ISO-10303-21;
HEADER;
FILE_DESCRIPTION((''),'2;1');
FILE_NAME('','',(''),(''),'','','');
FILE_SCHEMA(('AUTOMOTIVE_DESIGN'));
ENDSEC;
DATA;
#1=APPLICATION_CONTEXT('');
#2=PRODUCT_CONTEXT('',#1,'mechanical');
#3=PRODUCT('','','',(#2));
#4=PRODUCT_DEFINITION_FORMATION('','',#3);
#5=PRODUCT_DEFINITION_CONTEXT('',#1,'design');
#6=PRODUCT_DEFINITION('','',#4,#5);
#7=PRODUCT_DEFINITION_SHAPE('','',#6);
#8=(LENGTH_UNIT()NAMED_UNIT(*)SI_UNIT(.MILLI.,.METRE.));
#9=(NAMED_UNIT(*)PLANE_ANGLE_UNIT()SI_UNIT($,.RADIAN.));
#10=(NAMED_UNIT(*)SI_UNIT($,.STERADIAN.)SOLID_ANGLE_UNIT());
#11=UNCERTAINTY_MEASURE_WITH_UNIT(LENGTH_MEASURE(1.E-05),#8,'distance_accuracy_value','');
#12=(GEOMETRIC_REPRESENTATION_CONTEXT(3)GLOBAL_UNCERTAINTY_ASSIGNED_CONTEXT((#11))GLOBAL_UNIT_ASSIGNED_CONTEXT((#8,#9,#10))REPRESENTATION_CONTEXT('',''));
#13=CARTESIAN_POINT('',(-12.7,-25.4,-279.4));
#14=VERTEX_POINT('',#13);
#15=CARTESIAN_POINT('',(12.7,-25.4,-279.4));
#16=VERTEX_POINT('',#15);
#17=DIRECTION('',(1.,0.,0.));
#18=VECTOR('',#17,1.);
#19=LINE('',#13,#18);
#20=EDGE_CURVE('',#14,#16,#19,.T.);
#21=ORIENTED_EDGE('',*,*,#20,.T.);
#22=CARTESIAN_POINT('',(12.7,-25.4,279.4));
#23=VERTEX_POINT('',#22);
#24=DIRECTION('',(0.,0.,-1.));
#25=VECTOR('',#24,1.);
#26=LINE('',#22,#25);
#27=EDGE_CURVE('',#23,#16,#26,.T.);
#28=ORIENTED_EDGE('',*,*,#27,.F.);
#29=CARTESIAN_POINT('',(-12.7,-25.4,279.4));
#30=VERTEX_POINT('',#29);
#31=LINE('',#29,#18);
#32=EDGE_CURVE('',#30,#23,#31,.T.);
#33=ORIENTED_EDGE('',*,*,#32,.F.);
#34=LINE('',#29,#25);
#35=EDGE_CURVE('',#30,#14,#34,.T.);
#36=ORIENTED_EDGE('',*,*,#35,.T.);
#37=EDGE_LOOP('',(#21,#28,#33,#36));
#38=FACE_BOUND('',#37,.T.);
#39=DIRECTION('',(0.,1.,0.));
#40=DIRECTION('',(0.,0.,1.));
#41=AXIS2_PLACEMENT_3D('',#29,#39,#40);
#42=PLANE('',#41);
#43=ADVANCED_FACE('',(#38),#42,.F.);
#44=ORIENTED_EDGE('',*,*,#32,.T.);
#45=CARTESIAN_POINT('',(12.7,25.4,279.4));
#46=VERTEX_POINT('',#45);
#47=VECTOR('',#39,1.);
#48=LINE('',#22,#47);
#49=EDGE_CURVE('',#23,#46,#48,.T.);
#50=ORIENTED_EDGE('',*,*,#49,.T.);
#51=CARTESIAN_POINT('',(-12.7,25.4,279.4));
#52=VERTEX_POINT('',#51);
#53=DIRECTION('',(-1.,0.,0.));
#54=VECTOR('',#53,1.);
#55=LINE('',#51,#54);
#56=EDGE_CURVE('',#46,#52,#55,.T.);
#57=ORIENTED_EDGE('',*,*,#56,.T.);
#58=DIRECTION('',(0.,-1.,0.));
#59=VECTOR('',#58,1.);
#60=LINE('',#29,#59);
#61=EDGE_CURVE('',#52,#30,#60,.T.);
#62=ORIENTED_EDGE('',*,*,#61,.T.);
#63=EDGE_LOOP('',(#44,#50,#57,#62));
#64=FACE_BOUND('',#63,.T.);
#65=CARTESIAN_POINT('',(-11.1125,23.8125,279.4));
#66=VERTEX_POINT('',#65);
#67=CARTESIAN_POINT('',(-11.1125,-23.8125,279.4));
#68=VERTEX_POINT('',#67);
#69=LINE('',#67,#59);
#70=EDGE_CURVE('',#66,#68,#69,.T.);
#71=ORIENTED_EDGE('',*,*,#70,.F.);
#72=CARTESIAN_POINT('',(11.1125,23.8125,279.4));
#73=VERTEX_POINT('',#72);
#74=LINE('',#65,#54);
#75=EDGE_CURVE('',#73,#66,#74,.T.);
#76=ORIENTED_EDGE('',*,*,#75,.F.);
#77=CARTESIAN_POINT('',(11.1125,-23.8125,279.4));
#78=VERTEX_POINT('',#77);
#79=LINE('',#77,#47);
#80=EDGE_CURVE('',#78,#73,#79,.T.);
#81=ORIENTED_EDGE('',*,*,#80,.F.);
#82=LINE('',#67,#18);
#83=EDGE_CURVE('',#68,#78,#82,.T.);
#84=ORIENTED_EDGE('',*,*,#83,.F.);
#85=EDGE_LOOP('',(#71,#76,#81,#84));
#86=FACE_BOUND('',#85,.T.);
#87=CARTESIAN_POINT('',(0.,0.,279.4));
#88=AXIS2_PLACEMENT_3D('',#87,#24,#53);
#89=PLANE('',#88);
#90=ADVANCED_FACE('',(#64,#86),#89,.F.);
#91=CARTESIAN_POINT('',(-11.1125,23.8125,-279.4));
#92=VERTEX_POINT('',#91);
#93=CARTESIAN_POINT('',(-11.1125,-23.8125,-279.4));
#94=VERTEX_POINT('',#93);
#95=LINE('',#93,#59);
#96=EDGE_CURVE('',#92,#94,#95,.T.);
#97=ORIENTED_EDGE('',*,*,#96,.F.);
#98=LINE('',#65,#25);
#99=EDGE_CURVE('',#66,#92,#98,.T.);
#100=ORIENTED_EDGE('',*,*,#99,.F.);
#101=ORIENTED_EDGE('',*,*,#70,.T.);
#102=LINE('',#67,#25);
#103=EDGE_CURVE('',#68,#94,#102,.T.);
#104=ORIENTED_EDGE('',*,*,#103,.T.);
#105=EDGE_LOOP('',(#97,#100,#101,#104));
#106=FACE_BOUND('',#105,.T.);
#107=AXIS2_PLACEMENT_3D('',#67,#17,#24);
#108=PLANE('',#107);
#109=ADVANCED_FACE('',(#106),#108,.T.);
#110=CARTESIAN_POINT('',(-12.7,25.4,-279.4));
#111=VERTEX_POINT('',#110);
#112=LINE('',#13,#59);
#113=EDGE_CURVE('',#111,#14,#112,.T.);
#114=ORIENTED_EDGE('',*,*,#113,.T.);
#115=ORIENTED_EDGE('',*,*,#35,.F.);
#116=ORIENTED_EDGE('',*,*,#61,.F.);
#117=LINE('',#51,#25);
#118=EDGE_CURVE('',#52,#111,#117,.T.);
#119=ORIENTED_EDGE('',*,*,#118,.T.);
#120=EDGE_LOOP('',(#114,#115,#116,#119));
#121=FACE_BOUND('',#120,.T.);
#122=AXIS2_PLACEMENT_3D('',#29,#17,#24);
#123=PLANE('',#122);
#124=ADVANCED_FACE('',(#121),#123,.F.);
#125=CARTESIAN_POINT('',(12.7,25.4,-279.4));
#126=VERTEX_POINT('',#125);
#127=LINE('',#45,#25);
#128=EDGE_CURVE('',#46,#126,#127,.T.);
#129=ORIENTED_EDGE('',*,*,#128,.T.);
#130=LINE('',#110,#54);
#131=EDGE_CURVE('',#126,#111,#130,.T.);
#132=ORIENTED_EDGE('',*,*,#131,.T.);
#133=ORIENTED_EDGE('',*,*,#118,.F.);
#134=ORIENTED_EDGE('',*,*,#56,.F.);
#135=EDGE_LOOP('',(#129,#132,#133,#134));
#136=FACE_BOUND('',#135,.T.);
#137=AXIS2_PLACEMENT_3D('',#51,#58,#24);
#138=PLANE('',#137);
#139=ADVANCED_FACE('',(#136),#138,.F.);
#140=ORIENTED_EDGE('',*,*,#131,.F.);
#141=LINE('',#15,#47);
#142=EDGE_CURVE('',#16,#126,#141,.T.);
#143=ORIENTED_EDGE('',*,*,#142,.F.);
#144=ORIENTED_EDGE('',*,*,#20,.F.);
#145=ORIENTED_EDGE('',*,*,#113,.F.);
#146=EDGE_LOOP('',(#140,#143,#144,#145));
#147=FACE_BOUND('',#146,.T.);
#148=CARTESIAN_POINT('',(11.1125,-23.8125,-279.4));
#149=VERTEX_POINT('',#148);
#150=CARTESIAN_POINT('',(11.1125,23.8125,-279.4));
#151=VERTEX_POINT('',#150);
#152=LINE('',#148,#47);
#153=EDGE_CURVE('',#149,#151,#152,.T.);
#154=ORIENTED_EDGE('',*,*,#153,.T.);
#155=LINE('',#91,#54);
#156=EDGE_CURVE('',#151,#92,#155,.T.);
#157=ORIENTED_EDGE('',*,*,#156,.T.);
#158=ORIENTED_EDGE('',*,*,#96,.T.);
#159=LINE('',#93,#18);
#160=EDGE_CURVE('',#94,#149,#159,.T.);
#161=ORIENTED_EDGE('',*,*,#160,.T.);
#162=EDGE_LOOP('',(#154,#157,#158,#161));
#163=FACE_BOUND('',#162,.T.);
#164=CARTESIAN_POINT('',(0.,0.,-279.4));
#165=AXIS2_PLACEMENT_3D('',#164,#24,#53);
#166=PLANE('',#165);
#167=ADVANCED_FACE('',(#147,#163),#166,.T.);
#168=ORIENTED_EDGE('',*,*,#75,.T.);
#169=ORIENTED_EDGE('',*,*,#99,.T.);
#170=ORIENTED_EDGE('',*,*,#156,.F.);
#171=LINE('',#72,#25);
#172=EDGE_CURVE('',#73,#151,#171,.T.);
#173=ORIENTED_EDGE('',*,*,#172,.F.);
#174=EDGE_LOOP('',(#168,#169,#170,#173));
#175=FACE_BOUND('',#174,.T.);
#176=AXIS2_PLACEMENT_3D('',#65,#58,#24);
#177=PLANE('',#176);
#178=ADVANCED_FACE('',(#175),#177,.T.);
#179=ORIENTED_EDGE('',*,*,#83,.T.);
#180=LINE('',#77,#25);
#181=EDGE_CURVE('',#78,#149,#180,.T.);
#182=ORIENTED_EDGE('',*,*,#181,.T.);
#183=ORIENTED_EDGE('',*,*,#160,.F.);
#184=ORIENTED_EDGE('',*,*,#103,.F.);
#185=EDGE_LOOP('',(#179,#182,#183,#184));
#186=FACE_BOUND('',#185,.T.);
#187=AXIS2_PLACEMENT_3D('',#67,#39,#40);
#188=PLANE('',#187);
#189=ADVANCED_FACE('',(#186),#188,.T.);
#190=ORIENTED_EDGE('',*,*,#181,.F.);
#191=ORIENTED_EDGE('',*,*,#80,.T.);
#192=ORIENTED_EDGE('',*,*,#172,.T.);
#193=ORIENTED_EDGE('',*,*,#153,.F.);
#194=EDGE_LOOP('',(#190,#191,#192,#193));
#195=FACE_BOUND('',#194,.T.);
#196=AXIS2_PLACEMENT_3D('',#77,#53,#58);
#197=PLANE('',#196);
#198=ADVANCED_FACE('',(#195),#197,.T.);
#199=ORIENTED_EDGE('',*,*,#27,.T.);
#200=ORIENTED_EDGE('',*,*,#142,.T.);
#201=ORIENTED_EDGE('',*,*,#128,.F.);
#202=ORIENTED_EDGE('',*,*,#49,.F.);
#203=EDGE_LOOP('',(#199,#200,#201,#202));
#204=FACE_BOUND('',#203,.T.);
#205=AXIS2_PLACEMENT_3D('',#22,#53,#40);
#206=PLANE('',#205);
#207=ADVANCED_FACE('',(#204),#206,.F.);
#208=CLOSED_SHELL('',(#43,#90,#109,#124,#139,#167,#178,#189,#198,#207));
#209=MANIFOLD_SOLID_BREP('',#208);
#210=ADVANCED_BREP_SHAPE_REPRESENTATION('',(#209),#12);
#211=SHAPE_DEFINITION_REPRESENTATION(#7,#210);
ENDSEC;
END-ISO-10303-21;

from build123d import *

# Parameters (mm, degrees)
SKETCH1_W           = 25.4
SKETCH1_H           = 50.8
SKETCH1_W_2         = 22.225
SKETCH1_H_2         = 47.625
BOSS_EXTRUDE1_DEPTH = 279.4


with BuildPart() as part:
    # Sketch1 → Boss-Extrude1 (new, symmetric)
    with BuildSketch(Plane.XY):
        Rectangle(SKETCH1_W, SKETCH1_H)
        Rectangle(SKETCH1_W_2, SKETCH1_H_2, mode=Mode.SUBTRACT)
    extrude(amount=BOSS_EXTRUDE1_DEPTH, both=True)


solid = part.part
